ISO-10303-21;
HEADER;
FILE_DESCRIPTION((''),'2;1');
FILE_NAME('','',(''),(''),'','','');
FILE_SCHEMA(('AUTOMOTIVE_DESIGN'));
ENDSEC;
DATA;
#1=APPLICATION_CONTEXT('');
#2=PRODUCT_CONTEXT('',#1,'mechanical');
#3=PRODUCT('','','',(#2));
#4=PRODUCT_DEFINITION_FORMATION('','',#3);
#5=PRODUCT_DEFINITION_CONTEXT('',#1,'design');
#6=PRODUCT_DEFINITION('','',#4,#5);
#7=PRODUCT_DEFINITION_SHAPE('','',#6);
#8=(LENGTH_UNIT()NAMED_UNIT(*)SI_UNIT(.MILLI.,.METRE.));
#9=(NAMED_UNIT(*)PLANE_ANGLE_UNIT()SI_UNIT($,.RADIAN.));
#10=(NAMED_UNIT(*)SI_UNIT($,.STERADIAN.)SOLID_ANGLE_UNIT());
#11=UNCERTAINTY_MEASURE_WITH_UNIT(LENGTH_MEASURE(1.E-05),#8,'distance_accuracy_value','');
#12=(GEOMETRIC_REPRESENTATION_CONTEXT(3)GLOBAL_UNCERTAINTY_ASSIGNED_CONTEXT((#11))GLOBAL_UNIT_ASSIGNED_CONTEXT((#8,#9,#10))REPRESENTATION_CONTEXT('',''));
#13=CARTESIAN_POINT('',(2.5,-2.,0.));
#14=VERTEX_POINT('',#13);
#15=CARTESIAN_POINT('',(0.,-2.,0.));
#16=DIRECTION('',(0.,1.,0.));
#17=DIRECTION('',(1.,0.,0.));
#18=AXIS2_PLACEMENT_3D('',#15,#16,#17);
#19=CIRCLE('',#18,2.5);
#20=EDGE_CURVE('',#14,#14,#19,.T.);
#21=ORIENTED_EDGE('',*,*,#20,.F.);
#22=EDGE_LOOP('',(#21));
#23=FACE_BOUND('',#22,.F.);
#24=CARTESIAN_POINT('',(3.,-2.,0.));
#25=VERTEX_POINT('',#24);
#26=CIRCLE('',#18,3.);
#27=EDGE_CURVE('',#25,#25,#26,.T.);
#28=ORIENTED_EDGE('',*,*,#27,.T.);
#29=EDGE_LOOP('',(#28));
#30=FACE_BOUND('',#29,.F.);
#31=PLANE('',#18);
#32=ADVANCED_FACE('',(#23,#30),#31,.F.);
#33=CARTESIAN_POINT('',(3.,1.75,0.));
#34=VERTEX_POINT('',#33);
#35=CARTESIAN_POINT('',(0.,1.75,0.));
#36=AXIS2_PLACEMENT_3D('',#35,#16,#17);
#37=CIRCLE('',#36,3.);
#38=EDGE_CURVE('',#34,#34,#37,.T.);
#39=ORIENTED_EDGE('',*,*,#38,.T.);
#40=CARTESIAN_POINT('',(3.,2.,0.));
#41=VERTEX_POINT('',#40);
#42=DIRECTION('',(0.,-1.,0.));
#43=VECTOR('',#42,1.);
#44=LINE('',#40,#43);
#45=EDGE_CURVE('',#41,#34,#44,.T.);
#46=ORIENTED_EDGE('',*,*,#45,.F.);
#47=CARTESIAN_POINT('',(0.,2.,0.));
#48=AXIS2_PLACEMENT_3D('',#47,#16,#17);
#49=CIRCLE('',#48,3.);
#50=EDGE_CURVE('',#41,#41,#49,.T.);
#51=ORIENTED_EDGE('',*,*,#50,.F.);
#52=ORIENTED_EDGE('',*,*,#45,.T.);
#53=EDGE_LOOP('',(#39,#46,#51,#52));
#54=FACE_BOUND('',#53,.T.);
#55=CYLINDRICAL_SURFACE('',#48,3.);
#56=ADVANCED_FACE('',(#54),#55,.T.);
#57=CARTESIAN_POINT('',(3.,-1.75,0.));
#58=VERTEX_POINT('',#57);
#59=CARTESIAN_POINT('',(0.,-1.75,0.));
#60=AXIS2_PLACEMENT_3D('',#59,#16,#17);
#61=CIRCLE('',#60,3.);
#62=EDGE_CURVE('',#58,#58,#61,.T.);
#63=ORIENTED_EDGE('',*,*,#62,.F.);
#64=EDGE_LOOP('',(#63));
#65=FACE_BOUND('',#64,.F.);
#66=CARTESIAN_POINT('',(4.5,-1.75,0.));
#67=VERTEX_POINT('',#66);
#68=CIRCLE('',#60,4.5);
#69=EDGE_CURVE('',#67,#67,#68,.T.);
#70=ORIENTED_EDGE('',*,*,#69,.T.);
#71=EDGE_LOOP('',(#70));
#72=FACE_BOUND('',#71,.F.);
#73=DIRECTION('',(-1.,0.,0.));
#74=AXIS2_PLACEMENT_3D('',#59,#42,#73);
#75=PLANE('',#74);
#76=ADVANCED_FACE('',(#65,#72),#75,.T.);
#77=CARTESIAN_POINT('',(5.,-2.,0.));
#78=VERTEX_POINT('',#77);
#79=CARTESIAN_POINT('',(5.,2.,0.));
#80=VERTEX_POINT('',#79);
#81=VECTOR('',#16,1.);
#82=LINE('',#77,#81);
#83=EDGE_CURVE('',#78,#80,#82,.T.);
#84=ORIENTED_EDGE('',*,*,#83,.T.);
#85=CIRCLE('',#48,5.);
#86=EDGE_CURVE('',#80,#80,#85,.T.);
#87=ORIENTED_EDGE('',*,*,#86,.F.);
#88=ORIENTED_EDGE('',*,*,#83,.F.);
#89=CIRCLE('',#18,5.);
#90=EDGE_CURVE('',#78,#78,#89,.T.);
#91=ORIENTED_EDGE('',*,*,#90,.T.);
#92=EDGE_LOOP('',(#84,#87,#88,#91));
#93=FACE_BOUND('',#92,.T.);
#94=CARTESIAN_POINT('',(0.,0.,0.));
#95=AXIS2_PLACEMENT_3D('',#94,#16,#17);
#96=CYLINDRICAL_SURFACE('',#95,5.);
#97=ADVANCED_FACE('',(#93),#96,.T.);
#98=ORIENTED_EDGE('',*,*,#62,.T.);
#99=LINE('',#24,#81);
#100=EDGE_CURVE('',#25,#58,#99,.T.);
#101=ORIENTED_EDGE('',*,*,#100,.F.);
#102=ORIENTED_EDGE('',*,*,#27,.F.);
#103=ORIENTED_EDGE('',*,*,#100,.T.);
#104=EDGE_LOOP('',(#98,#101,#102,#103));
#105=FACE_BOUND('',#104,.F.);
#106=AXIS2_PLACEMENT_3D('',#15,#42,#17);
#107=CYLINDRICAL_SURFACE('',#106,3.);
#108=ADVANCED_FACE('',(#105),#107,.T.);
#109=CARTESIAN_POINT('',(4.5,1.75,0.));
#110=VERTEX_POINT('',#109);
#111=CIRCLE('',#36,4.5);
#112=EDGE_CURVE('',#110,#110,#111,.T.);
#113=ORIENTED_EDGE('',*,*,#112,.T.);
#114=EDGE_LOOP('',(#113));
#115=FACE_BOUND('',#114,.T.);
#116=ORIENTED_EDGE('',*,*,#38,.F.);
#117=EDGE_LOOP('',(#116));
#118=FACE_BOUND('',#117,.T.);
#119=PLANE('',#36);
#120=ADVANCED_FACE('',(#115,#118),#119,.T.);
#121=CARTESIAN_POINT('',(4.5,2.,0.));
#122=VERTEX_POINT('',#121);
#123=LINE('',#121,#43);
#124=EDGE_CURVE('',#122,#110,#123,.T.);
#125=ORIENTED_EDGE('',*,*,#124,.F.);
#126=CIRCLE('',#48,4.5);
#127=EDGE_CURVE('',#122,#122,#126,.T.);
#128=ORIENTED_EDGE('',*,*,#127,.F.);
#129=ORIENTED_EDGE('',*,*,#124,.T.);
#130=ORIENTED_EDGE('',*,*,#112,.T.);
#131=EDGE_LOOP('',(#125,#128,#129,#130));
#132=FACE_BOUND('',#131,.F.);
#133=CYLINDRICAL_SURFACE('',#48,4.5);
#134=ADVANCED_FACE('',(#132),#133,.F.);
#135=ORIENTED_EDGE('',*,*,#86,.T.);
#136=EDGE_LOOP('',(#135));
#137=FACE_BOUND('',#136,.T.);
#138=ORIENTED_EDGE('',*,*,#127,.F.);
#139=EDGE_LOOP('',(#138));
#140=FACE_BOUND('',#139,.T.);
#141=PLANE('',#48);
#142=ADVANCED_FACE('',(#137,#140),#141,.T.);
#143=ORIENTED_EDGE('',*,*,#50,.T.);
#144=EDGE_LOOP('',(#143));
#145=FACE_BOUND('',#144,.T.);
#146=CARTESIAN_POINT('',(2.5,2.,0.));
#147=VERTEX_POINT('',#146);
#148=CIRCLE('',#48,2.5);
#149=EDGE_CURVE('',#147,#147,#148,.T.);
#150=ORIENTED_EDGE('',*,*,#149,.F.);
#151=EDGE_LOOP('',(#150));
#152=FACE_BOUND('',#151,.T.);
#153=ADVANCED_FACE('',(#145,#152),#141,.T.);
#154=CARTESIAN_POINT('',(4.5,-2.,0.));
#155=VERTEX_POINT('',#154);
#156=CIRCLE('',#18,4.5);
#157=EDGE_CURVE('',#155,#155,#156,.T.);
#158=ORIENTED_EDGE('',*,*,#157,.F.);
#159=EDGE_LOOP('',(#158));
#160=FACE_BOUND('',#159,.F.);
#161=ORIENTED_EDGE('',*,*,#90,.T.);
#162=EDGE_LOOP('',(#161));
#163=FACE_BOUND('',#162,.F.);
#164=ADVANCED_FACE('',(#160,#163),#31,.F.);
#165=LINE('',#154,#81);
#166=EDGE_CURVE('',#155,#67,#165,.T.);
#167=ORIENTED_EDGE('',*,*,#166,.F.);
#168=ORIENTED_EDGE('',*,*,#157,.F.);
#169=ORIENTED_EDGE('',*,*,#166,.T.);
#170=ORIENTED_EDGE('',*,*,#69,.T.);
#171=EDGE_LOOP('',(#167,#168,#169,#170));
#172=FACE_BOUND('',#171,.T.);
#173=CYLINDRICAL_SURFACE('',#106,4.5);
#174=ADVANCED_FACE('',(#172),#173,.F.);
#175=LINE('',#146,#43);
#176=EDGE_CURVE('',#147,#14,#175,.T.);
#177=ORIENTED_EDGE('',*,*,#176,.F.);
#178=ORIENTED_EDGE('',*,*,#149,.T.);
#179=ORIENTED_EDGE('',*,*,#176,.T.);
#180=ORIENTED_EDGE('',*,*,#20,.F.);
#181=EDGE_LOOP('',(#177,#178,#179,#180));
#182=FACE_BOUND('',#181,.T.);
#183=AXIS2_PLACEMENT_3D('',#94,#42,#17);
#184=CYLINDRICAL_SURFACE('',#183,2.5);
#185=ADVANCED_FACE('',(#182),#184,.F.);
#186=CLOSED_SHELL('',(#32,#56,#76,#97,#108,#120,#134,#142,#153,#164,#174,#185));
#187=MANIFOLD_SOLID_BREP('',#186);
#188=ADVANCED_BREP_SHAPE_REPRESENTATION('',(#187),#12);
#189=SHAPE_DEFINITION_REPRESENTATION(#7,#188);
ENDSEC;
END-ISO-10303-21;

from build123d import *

# Parameters (mm, degrees)
SKETCH1_R           = 5
SKETCH1_R_2         = 2.5
BOSS_EXTRUDE1_DEPTH = 2
SKETCH2_R           = 4.5
SKETCH2_R_2         = 3
CUT_EXTRUDE1_DEPTH  = 0.25


with BuildPart() as part:
    # Sketch1 → Boss-Extrude1 (new body, symmetric)
    with BuildSketch(Plane(origin=(0, 0, 0), x_dir=(1, 0, 0), z_dir=(0, 1, 0))):
        Circle(SKETCH1_R)
        Circle(SKETCH1_R_2, mode=Mode.SUBTRACT)
    extrude(amount=BOSS_EXTRUDE1_DEPTH, both=True)

    # Sketch2 → Cut-Extrude1 (cut)
    with BuildSketch(Plane(origin=(0, 2, 0), x_dir=(1, 0, 0), z_dir=(0, 1, 0))):
        Circle(SKETCH2_R)
        Circle(SKETCH2_R_2, mode=Mode.SUBTRACT)
    cut_extrude1 = extrude(amount=-CUT_EXTRUDE1_DEPTH, mode=Mode.SUBTRACT)

    # Mirror1: Cut-Extrude1 across plane
    add(cut_extrude1.mirror(Plane.ZX), mode=Mode.SUBTRACT)


solid = part.part
